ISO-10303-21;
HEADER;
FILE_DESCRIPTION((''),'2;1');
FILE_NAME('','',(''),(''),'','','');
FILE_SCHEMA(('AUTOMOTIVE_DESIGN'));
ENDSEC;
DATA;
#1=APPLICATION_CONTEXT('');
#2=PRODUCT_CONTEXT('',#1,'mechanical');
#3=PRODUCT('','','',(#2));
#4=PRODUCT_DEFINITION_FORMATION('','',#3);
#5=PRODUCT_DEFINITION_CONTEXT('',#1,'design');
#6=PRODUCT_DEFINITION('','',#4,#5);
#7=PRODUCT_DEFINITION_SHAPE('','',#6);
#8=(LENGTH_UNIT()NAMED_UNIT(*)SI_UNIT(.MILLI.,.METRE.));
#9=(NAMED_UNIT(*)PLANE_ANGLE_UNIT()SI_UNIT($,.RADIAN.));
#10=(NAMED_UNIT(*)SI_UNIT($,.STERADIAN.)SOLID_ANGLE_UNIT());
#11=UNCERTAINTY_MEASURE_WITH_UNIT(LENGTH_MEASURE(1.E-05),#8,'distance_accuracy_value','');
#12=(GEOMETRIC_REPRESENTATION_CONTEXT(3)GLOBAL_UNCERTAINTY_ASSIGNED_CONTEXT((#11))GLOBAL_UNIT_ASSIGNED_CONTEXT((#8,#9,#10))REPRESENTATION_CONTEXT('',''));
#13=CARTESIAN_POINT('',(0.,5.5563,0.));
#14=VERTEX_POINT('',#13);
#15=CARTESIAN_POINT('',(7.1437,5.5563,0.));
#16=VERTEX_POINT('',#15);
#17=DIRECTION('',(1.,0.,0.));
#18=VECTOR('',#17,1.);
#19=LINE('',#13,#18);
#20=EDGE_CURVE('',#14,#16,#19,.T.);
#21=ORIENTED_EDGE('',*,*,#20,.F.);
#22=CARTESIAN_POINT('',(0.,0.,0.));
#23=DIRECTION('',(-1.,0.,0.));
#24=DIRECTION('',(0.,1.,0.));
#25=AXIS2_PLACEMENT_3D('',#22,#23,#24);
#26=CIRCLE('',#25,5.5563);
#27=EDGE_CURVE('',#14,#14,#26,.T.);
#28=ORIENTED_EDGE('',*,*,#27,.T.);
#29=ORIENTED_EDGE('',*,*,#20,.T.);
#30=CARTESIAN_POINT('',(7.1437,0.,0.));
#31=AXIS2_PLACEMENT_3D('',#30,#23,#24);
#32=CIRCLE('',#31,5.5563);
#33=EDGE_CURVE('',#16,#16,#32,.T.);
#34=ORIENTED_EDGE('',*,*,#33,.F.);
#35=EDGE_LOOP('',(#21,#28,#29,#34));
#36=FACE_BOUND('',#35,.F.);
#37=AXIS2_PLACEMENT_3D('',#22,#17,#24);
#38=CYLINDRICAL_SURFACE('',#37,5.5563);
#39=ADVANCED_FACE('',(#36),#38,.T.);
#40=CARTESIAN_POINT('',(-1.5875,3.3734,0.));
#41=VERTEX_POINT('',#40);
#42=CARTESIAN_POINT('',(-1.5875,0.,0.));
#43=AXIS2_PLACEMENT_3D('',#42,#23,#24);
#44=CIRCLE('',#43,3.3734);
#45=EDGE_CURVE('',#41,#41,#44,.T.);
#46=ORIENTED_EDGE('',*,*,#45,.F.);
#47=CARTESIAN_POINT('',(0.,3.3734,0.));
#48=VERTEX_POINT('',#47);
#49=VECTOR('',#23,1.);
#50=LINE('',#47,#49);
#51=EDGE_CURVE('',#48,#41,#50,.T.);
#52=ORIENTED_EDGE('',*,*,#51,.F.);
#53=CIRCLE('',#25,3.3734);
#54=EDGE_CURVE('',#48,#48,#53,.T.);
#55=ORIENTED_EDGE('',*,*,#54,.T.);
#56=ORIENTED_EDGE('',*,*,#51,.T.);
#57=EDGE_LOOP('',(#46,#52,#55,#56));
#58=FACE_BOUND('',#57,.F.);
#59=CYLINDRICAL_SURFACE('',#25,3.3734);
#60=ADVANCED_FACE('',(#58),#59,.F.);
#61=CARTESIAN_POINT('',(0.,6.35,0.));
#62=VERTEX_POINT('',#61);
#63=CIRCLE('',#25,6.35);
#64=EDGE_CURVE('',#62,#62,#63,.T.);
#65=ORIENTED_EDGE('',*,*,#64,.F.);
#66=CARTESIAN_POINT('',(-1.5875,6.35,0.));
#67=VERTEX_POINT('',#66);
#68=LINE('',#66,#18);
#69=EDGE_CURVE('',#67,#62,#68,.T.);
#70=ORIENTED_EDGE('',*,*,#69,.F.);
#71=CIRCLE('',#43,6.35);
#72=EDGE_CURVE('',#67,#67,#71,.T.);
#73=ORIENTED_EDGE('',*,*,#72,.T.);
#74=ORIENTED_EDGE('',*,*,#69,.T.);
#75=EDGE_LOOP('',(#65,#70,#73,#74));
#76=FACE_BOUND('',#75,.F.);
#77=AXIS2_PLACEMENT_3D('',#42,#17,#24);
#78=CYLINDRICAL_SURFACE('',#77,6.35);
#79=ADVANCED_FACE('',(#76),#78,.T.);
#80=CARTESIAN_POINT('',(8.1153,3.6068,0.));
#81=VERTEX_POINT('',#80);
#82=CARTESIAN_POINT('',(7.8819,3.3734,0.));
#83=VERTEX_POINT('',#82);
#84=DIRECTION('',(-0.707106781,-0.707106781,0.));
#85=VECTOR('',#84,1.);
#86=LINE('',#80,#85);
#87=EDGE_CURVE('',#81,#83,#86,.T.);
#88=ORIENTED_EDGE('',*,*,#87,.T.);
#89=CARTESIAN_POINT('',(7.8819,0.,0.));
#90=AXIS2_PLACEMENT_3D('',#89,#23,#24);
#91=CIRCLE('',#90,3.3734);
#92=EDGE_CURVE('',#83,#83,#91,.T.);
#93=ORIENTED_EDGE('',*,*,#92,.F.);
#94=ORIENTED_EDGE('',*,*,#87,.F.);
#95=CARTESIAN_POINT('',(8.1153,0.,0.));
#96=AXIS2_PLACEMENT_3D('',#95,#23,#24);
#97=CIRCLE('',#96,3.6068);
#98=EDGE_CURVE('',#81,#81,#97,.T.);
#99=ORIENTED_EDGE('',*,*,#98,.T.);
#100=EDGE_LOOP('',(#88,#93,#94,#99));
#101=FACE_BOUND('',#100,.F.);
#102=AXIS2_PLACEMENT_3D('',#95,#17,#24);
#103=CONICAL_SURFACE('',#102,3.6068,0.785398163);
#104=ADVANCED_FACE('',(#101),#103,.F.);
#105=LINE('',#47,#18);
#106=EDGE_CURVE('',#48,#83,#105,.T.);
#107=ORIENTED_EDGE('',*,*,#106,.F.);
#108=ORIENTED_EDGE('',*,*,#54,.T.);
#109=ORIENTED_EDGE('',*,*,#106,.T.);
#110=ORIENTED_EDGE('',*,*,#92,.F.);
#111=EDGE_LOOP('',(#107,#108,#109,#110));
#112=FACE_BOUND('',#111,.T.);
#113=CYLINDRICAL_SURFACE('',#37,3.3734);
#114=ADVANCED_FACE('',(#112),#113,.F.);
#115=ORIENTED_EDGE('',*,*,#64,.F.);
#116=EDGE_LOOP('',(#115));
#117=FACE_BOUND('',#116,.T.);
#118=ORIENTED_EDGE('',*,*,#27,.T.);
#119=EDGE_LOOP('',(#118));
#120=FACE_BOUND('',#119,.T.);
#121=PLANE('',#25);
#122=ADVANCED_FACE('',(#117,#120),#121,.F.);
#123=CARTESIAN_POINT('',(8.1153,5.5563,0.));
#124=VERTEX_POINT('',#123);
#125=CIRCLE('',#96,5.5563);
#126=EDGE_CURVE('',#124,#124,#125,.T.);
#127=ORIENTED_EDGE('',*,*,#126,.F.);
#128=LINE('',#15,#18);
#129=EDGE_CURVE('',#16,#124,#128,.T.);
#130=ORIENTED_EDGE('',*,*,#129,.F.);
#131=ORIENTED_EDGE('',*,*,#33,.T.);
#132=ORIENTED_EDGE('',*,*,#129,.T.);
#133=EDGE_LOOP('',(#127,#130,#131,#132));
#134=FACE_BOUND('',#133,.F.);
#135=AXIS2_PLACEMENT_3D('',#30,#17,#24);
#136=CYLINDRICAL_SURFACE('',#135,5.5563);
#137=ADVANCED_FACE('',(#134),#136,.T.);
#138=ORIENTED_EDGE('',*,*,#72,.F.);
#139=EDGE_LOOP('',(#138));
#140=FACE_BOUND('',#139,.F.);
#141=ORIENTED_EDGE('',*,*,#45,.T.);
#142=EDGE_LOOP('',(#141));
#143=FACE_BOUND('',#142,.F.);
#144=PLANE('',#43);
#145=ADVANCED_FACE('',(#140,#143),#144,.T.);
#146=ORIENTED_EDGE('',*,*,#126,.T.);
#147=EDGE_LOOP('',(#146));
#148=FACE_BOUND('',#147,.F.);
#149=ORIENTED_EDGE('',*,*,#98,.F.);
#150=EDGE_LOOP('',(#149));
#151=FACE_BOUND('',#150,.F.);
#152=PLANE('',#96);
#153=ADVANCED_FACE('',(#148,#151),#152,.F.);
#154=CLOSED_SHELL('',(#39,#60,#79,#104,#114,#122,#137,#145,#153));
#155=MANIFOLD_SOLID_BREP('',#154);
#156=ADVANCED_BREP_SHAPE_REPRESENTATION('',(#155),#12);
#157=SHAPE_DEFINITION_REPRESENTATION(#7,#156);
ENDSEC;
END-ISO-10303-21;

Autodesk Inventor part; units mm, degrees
ref_plane "YZ Plane" through (0, 0, 0) normal (1, 0, 0) x (0, 1, 0)
ref_plane "XZ Plane" through (0, 0, 0) normal (0, 1, 0) x (-1, 0, 0)
ref_plane "XY Plane" through (0, 0, 0) normal (0, 0, 1) x (1, 0, 0)
sketch "Sketch1" plane through (0, 0, 0) normal (0, 0, 1) x (1, 0, 0)
  line L0 (0, 0) -> (0, 5.5563) construction
  line L1 (0, 0) -> (7.1437, 0) construction
  line L2 (7.1437, 0) -> (7.3977, 0) construction
  line L3 (0, 6.35) -> (7.1437, 6.35) construction
  line L4 (7.1437, 6.35) -> (7.1437, 0) construction
  line L5 (0, 5.5563) -> (7.1437, 5.5563)
  line L6 (7.1437, 6.35) -> (7.1437, 7.9375) construction
  line L7 (7.1437, 7.9375) -> (33.4328, 7.9375) construction
  line L8 (33.4328, 0) -> (33.4328, 7.9375) construction
  line L9 (33.4328, 7.3323) -> (36.6078, 7.3323) construction
  line L10 (36.6078, 7.3323) -> (36.6078, 0) construction
  line L11 (36.6078, 0) -> (33.4328, 0) construction
  line L12 (36.6078, 6.35) -> (44.0055, 6.35) construction
  line L13 (44.0055, 6.35) -> (44.0055, 0) construction
  line L14 (36.6078, 0) -> (36.8618, 0) construction
  line L15 (36.8618, 0) -> (44.0055, 0) construction
  line L16 (36.8618, 0) -> (36.8618, 6.35) construction
  line L17 (7.1437, 5.5563) -> (8.1153, 5.5563)
  line L18 (16.4059, 7.874) -> (17.6759, 7.874) construction
  line L19 (0, 3.1115) -> (44.0055, 3.1115) construction
  line L20 (0, 5.1753) -> (44.0055, 5.1753) construction
  line L21 (7.3977, 0) -> (7.3977, 7.9375) construction
  line L22 (7.3977, 0) -> (8.1915, 0) construction
  line L23 (8.1915, 0) -> (8.1915, 7.9375) construction
  line L24 (8.1915, 7.9375) -> (8.1915, 25.0214) construction
  line L25 (8.1915, 25.0214) -> (12.954, 25.0214) construction
  line L26 (12.954, 25.0214) -> (12.954, 0) construction
  line L27 (12.954, 0) -> (8.1915, 0) construction
  line L28 (12.954, 17.4625) -> (20.2882, 17.4625) construction
  line L29 (12.954, 25.0214) -> (17.7165, 25.0214) construction
  line L30 (17.7165, 25.0214) -> (17.7165, 0) construction
  line L31 (17.7165, 0) -> (12.954, 0) construction
  line L32 (20.2882, 17.4625) -> (20.2882, 0) construction
  line L33 (20.2882, 0) -> (17.7165, 0) construction
  line L34 (20.2882, 0) -> (21.082, 0) construction
  line L35 (21.082, 0) -> (21.082, 14.2875) construction
  line L36 (21.082, 14.2875) -> (20.2882, 14.2875) construction
  line L37 (7.3977, 7.9375) -> (7.3977, 14.2875) construction
  line L38 (7.3977, 14.2875) -> (8.1915, 14.2875) construction
  line L39 (21.082, 30.0415) -> (25.8445, 30.0415) construction
  line L40 (25.8445, 30.0415) -> (25.8445, 0) construction
  line L41 (25.8445, 0) -> (21.082, 0) construction
  line L42 (25.8445, 30.0415) -> (30.607, 30.0415) construction
  line L43 (30.607, 30.0415) -> (30.607, 0) construction
  line L44 (25.8445, 0) -> (30.607, 0) construction
  line L45 (25.8445, 17.4625) -> (33.1787, 17.4625) construction
  line L46 (33.1787, 17.4625) -> (33.1787, 0) construction
  line L47 (33.1787, 0) -> (30.607, 0) construction
  line L48 (21.082, 14.2875) -> (21.082, 30.0415) construction
  line L49 (33.1787, 0) -> (33.4328, 0) construction
  line L50 (10.5727, 25.0214) -> (10.5727, 0) construction
  line L51 (23.4632, 30.0415) -> (23.4632, 0) construction
  circle A0 centre (10.5727, 7.5565) radius 2.3813 construction
  circle A1 centre (10.5727, 5.4928) radius 2.3813 construction
  line L52 (8.9893, 7.874) -> (10.2593, 7.874) construction
  circle A2 centre (23.4632, 5.4928) radius 2.3812 construction
  circle A3 centre (23.4632, 7.5565) radius 2.3812 construction
  line L53 (23.0177, 7.874) -> (24.0459, 7.874) construction
  line L54 (13.843, 5.1752) -> (11.7793, 3.1115) construction
  line L55 (20.193, 5.1752) -> (22.2567, 3.1115) construction
  line L56 (9.9377, 5.1753) -> (7.874, 3.1115) construction
  line L57 (9.6837, 5.1752) -> (8.1153, 3.6068) construction
  line L58 (0, 3.3734) -> (7.8819, 3.3734)
  line L59 (0, 3.3734) -> (-1.5875, 3.3734)
  line L60 (-1.5875, 3.3734) -> (-1.5875, 6.35)
  line L61 (-1.5875, 6.35) -> (0, 6.35)
  line L62 (25.9207, 7.9375) -> (25.9207, 0) construction
  line L63 (24.0982, 5.1752) -> (26.162, 3.1115) construction
  line L64 (25.9207, 5.5563) -> (27.3897, 3.1115) construction
  line L65 (16.0338, 5.1752) -> (18.0975, 3.1115) construction
  line L66 (36.7242, 3.1115) -> (36.7242, 0) construction
  line L67 (15.6845, 3.1115) -> (17.7482, 5.1753) construction
  line L68 (69.3538, 20.0694) -> (73.1082, 25.272) construction
  line L69 (73.1082, 25.272) -> (79.491, 24.6219) construction
  line L70 (79.491, 24.6219) -> (82.1194, 18.7692) construction
  line L71 (82.1194, 18.7692) -> (78.365, 13.5666) construction
  line L72 (78.365, 13.5666) -> (71.9822, 14.2167) construction
  line L73 (71.9822, 14.2167) -> (69.3538, 20.0694) construction
  circle A4 centre (75.7366, 19.4193) radius 6.4158 construction
  line L74 (44.0055, 5.5563) -> (53.7803, 5.5563) construction
  line L75 (53.7803, 5.5563) -> (53.7803, 0) construction
  line L76 (53.7803, 0) -> (44.0055, 0) construction
  line L77 (27.2323, 3.3734) -> (44.0055, 3.3734) construction
  line L78 (30.5292, 0) -> (28.6597, 3.1115) construction
  line L79 (36.7242, 3.1115) -> (38.5937, 0) construction
  line L80 (36.9782, 3.1115) -> (38.8477, 0) construction
  line L81 (8.1153, 7.9375) -> (8.1153, 5.5563) construction
  line L82 (36.9782, 3.1115) -> (36.8208, 3.3734) construction
  line L83 (0, 5.5563) -> (0, 6.35)
  line L84 (8.1153, 3.6068) -> (7.8819, 3.3734)
  line L85 (7.8819, 3.3734) -> (7.62, 3.1115) construction
  line L86 (8.1153, 3.6068) -> (8.1153, 0) construction
  line L87 (8.1153, 5.5563) -> (8.1153, 3.6068)
  line L88 (8.1153, 5.5563) -> (44.0055, 5.5563) construction
  point P0 (10.5727, 3.1115)
  point P1 (10.5727, 5.1753)
  point P2 (23.4632, 5.1753)
  dimension "d78" = 4.7625
  dimension "d82" = 4.7625
  dimension "d116" = 12.8316
  dimension "d40" = 0.254
  dimension "d41" = 7.1437
  dimension "d42" = 6.35
  dimension "d43" = 5.5563
  dimension "d44" = 7.9375
  dimension "d46" = 7.3323
  dimension "d47" = 3.175
  dimension "d48" = 0.254
  dimension "d49" = 6.35
  dimension "d50" = 7.1437
  dimension "d53" = 1.27
  dimension "d54" = 0.0635
  dimension "d58" = 3.1115
  dimension "d61" = 5.1753
  dimension "d63" = 0.7937
  dimension "d64" = 4.7625
  dimension "d65" = 7.3342
  dimension "d66" = 17.4625
  dimension "d67" = 4.7625
  dimension "d68" = 0.7937
  dimension "d69" = 14.2875
  dimension "d70" = 14.2875
  dimension "d71" = 4.7625
  dimension "d72" = 4.7625
  dimension "d73" = 7.3342
  dimension "d74" = 17.4625
  dimension "d75" = 0.254
  dimension "d76" = 12.8905
  dimension "d77" = 0.381
  dimension "d80" = 0.0635
  dimension "d81" = 4.7625
  dimension "d83" = 0.381
  dimension "d84" = 0.0635
  dimension "d85" = 45
  dimension "d86" = 45
  dimension "d88" = 1.2065
  dimension "d89" = 6.35
  dimension "d90" = 3.2702
  dimension "d91" = 0.635
  dimension "d92" = 45
  dimension "d93" = 0.254
  dimension "d94" = 3.3734
  dimension "d95" = 0.2619
  dimension "d96" = 1.5875
  dimension "d97" = 2.9766
  dimension "d98" = 1.8018
  dimension "d99" = 3.9053
  dimension "d101" = 3.2702
  dimension "d102" = 4.9149
  dimension "d103" = 0.635
  dimension "d105" = 59
  dimension "d106" = 2.4977
  dimension "d107" = 6.35
  dimension "d108" = 45
  dimension "d109" = 8.0645
  dimension "d110" = 10.5622
  dimension "d114" = 6.35
  dimension "d115" = 11.1125
  dimension "d117" = 5.5563
  dimension "d118" = 3.1115
  dimension "d120" = 3.3734
  dimension "d121" = 59
  dimension "d122" = 1.27
  dimension "d123" = 59
revolve "Revolution1" add sketch "Sketch1" angle 360 about axis through (20.2882, 0, 0) along (-1, 0, 0)
properties part number "Ball Shisting Shaft Outline Sketch"
